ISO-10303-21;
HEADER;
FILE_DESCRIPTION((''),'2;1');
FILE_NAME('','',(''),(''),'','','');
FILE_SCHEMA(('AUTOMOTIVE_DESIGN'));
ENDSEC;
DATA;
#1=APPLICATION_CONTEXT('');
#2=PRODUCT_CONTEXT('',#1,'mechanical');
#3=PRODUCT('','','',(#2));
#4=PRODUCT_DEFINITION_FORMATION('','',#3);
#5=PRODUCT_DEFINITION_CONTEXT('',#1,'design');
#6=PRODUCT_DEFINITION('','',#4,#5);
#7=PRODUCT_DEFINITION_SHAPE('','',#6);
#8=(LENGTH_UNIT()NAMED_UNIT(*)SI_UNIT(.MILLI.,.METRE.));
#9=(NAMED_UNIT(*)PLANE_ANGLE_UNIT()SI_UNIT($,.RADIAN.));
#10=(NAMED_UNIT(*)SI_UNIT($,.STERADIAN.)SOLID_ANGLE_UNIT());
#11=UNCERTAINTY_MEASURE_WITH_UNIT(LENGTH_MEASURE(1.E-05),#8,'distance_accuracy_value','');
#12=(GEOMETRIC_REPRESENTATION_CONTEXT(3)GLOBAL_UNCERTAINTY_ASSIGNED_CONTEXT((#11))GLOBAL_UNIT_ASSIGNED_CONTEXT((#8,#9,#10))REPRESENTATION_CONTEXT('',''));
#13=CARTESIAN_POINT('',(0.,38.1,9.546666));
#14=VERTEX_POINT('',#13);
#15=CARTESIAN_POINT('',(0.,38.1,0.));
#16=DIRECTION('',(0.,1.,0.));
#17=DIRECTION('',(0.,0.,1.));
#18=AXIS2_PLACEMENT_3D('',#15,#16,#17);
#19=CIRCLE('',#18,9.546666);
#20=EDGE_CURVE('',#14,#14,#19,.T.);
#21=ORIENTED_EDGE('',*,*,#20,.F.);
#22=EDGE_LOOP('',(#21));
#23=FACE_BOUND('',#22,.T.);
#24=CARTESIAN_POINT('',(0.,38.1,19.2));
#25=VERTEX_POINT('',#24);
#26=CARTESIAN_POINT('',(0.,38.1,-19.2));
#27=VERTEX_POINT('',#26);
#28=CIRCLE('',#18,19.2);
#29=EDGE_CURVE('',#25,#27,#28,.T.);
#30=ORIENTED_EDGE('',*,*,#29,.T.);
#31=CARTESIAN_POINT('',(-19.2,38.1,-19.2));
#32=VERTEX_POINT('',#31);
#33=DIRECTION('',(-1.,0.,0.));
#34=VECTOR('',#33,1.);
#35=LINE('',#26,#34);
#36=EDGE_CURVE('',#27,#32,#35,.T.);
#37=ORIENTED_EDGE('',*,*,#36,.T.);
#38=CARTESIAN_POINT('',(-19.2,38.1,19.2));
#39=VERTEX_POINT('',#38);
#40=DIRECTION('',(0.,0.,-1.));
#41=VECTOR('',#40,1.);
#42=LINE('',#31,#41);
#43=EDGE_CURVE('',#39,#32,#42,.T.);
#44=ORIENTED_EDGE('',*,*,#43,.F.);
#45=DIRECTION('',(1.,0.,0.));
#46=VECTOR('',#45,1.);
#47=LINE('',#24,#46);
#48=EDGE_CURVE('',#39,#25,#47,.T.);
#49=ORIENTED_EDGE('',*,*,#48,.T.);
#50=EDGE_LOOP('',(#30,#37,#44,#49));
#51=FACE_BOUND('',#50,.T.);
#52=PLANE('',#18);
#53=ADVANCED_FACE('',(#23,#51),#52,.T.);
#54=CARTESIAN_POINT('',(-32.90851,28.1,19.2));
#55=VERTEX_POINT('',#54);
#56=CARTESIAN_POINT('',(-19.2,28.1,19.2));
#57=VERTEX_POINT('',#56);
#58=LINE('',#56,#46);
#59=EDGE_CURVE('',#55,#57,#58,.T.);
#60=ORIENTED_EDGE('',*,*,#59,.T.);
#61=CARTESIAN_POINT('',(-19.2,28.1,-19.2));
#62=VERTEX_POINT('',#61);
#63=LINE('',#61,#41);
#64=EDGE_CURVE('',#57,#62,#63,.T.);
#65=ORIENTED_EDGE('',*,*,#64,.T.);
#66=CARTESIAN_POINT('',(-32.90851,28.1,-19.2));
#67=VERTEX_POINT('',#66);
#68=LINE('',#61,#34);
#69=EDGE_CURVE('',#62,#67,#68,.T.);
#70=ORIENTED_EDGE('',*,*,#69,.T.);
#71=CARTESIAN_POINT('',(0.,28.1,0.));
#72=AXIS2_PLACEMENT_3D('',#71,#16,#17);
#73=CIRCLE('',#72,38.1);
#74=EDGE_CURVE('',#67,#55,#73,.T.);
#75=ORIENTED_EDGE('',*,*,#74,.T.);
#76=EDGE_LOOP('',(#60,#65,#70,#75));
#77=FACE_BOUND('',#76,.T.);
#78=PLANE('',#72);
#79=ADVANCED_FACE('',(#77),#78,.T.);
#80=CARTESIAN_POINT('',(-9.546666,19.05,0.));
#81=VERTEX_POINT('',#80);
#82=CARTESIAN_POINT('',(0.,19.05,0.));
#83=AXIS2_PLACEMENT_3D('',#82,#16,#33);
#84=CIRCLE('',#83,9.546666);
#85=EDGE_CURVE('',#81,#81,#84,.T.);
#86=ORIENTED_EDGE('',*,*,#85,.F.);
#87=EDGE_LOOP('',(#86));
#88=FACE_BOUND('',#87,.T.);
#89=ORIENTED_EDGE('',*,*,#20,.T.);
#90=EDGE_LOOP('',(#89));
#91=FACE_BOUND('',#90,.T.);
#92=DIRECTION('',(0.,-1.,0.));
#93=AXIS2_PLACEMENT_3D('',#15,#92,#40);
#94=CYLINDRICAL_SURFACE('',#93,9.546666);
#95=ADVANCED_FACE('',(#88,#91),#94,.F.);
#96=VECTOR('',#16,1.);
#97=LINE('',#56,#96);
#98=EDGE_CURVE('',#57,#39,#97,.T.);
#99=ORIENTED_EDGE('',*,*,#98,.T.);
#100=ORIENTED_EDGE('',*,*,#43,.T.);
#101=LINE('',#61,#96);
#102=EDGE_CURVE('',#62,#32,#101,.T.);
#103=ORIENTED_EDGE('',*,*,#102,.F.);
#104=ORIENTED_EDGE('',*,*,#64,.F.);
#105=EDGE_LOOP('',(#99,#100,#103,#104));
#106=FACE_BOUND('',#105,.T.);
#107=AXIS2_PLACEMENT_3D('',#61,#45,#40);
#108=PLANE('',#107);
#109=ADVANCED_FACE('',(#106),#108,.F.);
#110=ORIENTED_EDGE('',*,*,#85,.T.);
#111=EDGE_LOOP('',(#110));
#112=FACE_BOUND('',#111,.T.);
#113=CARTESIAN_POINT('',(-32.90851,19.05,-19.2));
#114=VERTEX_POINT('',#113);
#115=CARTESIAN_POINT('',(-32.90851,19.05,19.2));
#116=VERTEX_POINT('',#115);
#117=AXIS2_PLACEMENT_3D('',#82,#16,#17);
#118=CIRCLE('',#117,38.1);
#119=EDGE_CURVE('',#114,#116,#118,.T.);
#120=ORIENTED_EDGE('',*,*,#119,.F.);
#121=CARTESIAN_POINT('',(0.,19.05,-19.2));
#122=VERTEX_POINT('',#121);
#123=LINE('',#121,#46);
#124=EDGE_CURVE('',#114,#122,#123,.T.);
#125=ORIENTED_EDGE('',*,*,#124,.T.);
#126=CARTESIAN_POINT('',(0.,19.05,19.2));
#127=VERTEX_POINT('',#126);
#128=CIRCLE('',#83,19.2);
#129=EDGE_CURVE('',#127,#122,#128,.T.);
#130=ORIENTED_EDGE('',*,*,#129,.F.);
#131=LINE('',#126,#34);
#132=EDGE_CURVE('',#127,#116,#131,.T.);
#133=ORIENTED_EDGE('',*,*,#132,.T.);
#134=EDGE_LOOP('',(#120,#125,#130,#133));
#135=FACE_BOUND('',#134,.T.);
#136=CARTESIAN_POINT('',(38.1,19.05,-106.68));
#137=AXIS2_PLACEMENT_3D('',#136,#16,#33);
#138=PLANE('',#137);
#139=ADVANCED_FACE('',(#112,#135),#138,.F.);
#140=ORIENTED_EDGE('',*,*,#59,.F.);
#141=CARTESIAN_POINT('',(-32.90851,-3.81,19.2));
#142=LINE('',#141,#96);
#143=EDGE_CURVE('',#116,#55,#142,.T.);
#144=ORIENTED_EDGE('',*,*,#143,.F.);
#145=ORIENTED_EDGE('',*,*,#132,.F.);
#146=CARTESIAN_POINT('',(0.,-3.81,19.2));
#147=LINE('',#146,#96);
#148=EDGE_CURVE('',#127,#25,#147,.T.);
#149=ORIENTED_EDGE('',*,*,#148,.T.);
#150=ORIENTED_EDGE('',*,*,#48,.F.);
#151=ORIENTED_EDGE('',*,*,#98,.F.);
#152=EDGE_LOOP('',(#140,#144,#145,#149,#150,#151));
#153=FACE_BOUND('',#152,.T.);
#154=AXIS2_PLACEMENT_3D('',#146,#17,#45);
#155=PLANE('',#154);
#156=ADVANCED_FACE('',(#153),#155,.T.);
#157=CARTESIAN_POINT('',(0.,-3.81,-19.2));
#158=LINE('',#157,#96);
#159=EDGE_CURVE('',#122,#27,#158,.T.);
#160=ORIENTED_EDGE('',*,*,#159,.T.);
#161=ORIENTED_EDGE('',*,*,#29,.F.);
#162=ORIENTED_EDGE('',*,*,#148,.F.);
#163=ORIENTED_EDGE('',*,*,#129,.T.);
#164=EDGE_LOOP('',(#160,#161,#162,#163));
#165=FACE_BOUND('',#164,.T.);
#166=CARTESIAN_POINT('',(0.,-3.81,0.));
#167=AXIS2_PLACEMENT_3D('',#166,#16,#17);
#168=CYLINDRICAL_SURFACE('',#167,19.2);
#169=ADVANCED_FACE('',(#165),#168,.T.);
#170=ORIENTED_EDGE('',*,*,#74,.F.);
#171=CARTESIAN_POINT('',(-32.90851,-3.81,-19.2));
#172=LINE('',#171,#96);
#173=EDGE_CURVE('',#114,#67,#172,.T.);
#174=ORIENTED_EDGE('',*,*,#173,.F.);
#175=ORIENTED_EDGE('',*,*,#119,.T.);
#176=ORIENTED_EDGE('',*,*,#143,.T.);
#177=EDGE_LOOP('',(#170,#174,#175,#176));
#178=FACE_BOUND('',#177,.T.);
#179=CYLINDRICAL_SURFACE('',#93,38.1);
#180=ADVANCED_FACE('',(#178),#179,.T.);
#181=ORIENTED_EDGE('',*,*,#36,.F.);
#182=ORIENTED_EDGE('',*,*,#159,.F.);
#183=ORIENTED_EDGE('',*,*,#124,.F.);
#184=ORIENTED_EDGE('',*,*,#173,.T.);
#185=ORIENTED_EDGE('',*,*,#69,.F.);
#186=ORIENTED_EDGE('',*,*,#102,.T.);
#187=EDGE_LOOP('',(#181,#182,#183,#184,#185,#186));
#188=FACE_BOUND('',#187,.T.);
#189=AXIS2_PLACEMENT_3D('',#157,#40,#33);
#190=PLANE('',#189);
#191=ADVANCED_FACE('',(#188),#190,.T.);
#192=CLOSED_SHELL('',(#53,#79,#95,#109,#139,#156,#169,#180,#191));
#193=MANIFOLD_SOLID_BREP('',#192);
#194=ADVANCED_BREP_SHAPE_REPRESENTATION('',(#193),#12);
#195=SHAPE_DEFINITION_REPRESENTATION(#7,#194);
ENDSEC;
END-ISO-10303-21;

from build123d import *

# Parameters (mm, degrees)
SKETCH1_R               = 38.1
SKETCH1_R_2             = 9.546666028
BOSS_EXTRUDE1_DEPTH     = 38.1
SKETCH2_W               = 38.1
SKETCH2_H               = 19.05
CUT_EXTRUDE1_DEPTH      = 144.78
CUT_EXTRUDE2_DEPTH      = 22.86
CUT_EXTRUDE2_DEPTH_BACK = 20.32
SKETCH5_W               = 40.342749465
SKETCH5_H               = 23.10958947
CUT_EXTRUDE4_DEPTH      = 53.594
CUT_EXTRUDE5_DEPTH      = 10


with BuildPart() as part:
    # Sketch1 → Boss-Extrude1 (new body)
    with BuildSketch(Plane(origin=(0, 0, 0), x_dir=(1, 0, 0), z_dir=(0, 1, 0))):
        Circle(SKETCH1_R)
        Circle(SKETCH1_R_2, mode=Mode.SUBTRACT)
    extrude(amount=BOSS_EXTRUDE1_DEPTH)

    # Sketch2 → Cut-Extrude1 (cut)
    with BuildSketch(Plane.XY.offset(38.1)):
        with Locations((19.05, 9.525)):
            Rectangle(SKETCH2_W, SKETCH2_H)
    extrude(amount=-CUT_EXTRUDE1_DEPTH, mode=Mode.SUBTRACT)

    # Sketch3 → Cut-Extrude2 (cut, two sides)
    with BuildSketch(Plane.XZ.offset(-19.05)) as cut_extrude2_sk:
        with BuildLine():
            Line((0, -19.2), (-32.908509538, -19.2))
            ThreePointArc((-32.908509538, -19.2), (38.1, 0), (-32.908509538, 19.2))
            Line((-32.908509538, 19.2), (0, 19.2))
            ThreePointArc((0, 19.2), (19.2, 0), (0, -19.2))
        make_face()
    extrude(amount=CUT_EXTRUDE2_DEPTH, mode=Mode.SUBTRACT)
    extrude(cut_extrude2_sk.sketch, amount=-CUT_EXTRUDE2_DEPTH_BACK, mode=Mode.SUBTRACT)

    # Sketch5 → Cut-Extrude4 (cut)
    with BuildSketch(Plane.XY.offset(19.2)):
        with Locations((-20.171374733, 7.495205265)):
            Rectangle(SKETCH5_W, SKETCH5_H)
    extrude(amount=-CUT_EXTRUDE4_DEPTH, mode=Mode.SUBTRACT)

    # Sketch6 → Cut-Extrude5 (cut)
    with BuildSketch(Plane(origin=(0, 38.1, 0), x_dir=(1, 0, 0), z_dir=(0, 1, 0))):
        with BuildLine():
            Line((-19.2, 19.2), (-19.2, -19.2))
            Line((-19.2, -19.2), (-32.908509538, -19.2))
            ThreePointArc((-32.908509538, -19.2), (-38.1, 0), (-32.908509538, 19.2))
            Line((-32.908509538, 19.2), (-19.2, 19.2))
        make_face()
    extrude(amount=-CUT_EXTRUDE5_DEPTH, mode=Mode.SUBTRACT)


solid = part.part
